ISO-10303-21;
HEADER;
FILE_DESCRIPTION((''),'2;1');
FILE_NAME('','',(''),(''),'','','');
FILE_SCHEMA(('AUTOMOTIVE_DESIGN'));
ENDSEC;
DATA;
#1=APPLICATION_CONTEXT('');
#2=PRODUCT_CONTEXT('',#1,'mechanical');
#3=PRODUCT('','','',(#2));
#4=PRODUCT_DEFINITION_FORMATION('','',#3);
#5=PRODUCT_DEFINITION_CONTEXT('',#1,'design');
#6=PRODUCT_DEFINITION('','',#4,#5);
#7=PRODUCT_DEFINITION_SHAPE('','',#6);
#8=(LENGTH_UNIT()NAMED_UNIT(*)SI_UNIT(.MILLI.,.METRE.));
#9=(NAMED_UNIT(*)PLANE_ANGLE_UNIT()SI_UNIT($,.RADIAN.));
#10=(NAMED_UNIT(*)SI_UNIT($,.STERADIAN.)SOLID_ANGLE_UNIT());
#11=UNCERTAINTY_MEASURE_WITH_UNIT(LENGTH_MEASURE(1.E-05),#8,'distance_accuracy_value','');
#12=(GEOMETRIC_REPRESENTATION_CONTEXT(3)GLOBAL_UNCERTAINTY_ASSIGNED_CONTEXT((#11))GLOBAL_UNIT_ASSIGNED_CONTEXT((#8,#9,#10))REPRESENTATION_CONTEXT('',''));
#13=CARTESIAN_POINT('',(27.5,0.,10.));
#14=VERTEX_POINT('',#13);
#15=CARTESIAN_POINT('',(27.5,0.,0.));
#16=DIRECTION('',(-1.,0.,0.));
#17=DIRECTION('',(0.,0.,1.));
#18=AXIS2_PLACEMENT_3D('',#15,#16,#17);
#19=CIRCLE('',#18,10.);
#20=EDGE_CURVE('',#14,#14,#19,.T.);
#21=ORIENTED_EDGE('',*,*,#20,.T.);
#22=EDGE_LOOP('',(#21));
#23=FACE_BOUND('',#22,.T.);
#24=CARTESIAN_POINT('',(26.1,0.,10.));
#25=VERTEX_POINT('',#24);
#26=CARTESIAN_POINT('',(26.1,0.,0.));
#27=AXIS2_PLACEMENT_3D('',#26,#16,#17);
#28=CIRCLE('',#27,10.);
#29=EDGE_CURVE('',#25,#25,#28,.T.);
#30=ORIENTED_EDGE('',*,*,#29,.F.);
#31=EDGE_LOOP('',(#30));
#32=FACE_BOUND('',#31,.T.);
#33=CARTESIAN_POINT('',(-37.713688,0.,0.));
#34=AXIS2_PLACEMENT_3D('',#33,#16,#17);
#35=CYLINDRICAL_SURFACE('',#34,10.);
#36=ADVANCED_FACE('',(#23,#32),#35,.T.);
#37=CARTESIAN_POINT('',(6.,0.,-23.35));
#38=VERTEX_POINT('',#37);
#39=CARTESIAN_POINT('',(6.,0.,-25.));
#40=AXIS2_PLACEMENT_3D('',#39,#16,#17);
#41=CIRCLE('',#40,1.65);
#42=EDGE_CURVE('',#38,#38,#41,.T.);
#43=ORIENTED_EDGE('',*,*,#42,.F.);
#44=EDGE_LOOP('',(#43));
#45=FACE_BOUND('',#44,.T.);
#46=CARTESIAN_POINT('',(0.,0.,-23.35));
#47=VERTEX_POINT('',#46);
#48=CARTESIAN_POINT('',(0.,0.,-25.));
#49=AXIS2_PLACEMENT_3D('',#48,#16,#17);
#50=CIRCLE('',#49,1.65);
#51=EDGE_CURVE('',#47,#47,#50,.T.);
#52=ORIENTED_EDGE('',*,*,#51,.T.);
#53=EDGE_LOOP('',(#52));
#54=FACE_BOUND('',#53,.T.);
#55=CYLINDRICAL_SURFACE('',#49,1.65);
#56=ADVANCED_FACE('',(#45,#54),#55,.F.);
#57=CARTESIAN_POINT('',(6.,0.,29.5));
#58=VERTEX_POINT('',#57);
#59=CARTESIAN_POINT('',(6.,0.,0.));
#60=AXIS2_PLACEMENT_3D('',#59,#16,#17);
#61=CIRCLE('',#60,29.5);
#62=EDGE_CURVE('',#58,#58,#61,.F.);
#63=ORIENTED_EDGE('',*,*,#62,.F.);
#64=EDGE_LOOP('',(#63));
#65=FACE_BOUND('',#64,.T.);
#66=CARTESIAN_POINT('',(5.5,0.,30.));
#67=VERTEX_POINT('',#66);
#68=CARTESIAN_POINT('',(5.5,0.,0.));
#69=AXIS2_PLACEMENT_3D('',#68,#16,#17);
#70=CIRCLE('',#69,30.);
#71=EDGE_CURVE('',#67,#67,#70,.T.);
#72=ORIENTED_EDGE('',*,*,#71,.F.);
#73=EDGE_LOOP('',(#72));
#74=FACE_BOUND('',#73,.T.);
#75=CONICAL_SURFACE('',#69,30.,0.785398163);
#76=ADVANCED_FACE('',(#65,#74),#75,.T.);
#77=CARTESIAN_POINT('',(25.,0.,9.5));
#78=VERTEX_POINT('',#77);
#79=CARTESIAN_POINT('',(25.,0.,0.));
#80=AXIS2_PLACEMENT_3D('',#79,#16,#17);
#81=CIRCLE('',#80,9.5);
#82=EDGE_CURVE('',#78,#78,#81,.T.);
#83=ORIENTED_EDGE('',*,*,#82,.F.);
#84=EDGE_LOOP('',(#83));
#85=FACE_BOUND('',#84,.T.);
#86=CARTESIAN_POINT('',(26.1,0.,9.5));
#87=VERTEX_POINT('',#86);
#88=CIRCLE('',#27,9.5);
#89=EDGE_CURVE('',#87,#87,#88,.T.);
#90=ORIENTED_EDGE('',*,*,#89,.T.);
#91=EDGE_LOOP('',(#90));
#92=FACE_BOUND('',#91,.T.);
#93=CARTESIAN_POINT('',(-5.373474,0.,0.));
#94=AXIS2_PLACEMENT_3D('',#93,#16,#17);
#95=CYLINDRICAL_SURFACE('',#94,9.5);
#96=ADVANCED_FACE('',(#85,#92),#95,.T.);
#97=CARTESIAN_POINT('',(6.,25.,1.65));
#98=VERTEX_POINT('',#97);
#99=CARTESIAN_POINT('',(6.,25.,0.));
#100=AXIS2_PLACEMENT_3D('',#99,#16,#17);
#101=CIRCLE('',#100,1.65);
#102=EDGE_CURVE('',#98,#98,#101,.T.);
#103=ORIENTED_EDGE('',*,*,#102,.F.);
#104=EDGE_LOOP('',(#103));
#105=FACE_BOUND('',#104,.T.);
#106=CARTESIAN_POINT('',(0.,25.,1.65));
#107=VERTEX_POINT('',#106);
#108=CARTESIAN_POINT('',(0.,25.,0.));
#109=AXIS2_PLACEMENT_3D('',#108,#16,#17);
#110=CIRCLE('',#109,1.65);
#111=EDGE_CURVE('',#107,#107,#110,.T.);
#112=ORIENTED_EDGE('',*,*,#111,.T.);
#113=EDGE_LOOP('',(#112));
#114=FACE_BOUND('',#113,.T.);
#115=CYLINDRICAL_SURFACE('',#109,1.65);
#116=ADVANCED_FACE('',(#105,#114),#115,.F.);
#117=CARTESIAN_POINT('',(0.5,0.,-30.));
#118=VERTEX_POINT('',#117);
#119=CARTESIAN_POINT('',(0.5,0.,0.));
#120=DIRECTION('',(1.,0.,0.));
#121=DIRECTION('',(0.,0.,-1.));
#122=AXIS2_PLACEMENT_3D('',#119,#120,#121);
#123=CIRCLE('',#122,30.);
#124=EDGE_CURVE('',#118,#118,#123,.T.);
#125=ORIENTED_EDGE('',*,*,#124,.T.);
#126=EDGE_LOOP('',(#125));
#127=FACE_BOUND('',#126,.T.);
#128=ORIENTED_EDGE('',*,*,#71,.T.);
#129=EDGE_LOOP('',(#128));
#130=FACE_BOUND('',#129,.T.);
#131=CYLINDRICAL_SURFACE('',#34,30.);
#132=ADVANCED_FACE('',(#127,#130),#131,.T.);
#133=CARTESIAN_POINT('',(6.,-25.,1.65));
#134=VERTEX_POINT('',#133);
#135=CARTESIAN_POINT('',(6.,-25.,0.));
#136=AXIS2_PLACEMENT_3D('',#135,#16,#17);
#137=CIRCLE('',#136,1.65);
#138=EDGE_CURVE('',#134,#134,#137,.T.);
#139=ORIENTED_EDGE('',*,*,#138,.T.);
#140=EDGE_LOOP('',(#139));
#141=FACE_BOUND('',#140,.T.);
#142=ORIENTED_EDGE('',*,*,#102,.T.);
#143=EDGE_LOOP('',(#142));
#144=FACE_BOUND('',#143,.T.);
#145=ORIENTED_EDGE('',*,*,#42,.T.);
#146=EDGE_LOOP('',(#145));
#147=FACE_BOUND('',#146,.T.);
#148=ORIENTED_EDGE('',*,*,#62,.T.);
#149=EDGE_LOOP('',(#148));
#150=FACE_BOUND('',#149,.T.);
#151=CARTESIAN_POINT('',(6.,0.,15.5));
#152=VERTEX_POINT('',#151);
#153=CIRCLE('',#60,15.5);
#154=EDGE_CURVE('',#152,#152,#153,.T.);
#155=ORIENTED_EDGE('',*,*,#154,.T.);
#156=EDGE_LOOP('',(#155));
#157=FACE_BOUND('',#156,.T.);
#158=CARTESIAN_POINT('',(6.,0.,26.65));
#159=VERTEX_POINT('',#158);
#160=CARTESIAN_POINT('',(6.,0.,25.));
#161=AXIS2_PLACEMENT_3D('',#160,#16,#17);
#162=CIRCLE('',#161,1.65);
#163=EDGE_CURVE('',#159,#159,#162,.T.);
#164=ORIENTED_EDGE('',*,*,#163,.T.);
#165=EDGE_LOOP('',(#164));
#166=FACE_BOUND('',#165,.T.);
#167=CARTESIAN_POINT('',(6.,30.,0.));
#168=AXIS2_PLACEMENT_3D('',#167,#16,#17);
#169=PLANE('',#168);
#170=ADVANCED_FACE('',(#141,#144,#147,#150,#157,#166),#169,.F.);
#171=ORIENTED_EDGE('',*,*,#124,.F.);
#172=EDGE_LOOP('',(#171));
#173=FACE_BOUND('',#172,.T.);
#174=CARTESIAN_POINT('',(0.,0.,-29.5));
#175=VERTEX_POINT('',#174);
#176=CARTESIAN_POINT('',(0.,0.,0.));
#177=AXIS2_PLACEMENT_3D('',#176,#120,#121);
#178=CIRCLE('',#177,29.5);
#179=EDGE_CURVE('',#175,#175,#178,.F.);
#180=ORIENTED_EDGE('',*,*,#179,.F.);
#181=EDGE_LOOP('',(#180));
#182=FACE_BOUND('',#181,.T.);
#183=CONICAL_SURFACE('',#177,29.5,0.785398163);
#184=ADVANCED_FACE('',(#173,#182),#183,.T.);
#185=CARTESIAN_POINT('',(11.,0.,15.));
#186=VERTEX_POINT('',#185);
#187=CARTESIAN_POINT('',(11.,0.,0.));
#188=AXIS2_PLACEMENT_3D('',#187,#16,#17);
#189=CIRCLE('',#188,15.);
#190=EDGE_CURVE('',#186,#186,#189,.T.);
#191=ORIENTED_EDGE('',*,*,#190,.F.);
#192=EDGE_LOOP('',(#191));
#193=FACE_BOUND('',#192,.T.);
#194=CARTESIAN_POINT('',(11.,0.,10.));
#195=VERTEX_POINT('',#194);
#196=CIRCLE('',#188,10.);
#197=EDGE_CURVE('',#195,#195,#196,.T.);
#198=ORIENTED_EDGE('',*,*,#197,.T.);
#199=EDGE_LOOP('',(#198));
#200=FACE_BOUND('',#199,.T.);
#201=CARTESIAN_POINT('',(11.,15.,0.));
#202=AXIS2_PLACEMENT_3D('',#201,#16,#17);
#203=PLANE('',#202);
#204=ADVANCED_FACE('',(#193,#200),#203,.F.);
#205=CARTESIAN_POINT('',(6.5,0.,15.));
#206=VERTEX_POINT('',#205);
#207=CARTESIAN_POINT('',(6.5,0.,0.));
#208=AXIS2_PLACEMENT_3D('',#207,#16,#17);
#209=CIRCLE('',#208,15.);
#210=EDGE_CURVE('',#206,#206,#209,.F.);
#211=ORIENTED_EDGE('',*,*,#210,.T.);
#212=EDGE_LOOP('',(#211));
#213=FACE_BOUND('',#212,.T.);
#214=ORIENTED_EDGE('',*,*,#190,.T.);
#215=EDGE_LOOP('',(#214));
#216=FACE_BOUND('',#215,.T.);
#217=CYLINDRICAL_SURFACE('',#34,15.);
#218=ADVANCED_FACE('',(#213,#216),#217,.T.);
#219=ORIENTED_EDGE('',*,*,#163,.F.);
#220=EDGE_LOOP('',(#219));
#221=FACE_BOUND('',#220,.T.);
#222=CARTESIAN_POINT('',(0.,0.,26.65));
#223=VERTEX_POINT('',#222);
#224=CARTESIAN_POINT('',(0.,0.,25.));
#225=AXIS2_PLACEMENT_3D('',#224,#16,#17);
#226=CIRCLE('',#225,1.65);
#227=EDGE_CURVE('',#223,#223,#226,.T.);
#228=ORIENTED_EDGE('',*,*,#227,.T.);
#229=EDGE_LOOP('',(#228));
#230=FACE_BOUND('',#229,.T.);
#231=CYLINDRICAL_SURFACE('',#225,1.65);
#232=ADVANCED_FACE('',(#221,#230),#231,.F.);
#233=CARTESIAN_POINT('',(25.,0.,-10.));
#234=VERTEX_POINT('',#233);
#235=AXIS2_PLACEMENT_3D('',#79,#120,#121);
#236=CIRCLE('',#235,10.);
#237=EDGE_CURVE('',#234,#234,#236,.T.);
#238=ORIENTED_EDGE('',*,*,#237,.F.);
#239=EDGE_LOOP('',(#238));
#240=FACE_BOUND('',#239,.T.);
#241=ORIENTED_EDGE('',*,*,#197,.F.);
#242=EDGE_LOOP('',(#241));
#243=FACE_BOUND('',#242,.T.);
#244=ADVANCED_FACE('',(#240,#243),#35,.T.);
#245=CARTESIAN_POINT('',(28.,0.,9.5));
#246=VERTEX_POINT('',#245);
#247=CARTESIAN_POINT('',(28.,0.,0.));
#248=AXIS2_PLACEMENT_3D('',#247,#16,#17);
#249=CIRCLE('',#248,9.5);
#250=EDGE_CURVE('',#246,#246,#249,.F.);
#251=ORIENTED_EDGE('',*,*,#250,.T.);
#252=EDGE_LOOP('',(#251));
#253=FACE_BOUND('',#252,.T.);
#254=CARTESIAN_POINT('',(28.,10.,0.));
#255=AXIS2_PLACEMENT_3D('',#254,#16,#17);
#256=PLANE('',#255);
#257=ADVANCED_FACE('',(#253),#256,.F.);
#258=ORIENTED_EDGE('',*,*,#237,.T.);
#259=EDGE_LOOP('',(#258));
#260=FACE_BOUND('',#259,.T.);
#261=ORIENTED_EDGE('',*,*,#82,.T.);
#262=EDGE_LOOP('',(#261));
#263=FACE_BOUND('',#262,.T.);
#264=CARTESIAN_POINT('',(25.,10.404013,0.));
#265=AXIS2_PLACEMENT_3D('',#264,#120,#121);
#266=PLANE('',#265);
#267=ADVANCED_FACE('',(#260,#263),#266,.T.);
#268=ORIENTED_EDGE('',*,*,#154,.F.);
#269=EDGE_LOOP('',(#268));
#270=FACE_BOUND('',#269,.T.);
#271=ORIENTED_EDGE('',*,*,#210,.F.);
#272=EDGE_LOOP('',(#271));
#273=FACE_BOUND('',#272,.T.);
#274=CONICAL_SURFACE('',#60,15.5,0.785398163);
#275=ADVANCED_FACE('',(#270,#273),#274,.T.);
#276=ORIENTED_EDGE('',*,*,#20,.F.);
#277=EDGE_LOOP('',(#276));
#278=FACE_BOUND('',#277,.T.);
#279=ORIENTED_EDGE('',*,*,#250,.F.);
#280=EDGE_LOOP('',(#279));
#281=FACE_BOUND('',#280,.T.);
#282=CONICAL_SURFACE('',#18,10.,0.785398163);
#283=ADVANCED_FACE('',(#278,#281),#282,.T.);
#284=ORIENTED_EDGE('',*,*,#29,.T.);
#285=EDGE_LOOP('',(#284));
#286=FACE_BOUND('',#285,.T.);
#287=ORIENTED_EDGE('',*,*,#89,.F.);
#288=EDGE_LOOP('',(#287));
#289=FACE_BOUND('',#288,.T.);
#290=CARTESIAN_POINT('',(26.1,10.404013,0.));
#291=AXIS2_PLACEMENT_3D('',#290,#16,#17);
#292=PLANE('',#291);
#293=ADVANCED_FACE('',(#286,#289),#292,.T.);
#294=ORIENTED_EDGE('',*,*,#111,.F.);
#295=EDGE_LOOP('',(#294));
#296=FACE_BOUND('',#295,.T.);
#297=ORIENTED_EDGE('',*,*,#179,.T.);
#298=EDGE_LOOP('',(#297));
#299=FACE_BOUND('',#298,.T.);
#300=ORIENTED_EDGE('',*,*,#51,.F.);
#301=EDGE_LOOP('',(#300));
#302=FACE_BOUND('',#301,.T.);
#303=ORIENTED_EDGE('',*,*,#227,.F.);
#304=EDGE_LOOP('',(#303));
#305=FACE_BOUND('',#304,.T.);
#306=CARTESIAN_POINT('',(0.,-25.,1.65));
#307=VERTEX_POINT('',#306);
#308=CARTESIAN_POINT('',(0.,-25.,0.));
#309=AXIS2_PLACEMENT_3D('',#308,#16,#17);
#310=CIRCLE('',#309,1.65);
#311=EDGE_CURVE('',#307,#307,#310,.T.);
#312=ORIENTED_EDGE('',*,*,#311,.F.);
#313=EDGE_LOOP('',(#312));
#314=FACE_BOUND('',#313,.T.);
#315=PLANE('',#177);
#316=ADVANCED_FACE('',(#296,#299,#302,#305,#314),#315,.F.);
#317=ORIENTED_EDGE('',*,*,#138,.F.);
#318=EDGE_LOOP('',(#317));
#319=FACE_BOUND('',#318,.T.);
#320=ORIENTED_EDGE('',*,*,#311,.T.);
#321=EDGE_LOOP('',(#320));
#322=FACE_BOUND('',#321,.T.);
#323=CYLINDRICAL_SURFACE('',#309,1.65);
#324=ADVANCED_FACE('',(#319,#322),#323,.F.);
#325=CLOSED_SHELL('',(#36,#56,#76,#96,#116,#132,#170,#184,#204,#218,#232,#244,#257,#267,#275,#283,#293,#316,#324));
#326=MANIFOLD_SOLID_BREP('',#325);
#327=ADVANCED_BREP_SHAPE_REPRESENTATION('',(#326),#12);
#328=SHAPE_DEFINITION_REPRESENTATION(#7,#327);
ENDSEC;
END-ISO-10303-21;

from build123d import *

# Parameters (mm, degrees)
HOLE_WIZARD_M4_1_D = 3.3
CHAMFER_1_SIZE     = 0.5
SKETCH_4_W         = 1.1
SKETCH_4_H         = 0.904012781


with BuildPart() as part:
    # 草图1 → 旋转1 (revolve)
    with BuildSketch(Plane.XY, mode=Mode.PRIVATE) as revolve_1_sk:
        Polygon((0, 0), (0, 30), (6, 30), (6, 15), (11, 15), (11, 10), (28, 10), (28, 0), align=None)
    revolve(revolve_1_sk.sketch.rotate(Axis((-37.713688213, 0, 0), (1, 0, 0)), 90), axis=Axis((-37.713688213, 0, 0), (1, 0, 0)))

    # M4 螺纹孔1 (through all)
    with Locations(Plane(origin=(0, 0, -25), x_dir=(0, 0, -1), z_dir=(-1, 0, 0))):
        with Locations((0, 0), (-25, -25), (-50, 0), (-25, 25)):
            Hole(HOLE_WIZARD_M4_1_D / 2)

    # 倒角1
    chamfer_1_edges = [part.edges().sort_by_distance(p)[0] for p in [
        (28, 0, -10),
        (6, 0, -15),
        (6, 0, -30),
        (0, 0, -30),
    ]]
    chamfer(chamfer_1_edges, length=CHAMFER_1_SIZE)

    # 草图4 → 切除-旋转1 (revolve, cut)
    with BuildSketch(Plane.XY, mode=Mode.PRIVATE) as cut_revolve_1_sk:
        with Locations((25.55, 9.95200639)):
            Rectangle(SKETCH_4_W, SKETCH_4_H)
    revolve(cut_revolve_1_sk.sketch.rotate(Axis((-5.373474488, 0, 0), (1, 0, 0)), 90), axis=Axis((-5.373474488, 0, 0), (1, 0, 0)), mode=Mode.SUBTRACT)


solid = part.part
